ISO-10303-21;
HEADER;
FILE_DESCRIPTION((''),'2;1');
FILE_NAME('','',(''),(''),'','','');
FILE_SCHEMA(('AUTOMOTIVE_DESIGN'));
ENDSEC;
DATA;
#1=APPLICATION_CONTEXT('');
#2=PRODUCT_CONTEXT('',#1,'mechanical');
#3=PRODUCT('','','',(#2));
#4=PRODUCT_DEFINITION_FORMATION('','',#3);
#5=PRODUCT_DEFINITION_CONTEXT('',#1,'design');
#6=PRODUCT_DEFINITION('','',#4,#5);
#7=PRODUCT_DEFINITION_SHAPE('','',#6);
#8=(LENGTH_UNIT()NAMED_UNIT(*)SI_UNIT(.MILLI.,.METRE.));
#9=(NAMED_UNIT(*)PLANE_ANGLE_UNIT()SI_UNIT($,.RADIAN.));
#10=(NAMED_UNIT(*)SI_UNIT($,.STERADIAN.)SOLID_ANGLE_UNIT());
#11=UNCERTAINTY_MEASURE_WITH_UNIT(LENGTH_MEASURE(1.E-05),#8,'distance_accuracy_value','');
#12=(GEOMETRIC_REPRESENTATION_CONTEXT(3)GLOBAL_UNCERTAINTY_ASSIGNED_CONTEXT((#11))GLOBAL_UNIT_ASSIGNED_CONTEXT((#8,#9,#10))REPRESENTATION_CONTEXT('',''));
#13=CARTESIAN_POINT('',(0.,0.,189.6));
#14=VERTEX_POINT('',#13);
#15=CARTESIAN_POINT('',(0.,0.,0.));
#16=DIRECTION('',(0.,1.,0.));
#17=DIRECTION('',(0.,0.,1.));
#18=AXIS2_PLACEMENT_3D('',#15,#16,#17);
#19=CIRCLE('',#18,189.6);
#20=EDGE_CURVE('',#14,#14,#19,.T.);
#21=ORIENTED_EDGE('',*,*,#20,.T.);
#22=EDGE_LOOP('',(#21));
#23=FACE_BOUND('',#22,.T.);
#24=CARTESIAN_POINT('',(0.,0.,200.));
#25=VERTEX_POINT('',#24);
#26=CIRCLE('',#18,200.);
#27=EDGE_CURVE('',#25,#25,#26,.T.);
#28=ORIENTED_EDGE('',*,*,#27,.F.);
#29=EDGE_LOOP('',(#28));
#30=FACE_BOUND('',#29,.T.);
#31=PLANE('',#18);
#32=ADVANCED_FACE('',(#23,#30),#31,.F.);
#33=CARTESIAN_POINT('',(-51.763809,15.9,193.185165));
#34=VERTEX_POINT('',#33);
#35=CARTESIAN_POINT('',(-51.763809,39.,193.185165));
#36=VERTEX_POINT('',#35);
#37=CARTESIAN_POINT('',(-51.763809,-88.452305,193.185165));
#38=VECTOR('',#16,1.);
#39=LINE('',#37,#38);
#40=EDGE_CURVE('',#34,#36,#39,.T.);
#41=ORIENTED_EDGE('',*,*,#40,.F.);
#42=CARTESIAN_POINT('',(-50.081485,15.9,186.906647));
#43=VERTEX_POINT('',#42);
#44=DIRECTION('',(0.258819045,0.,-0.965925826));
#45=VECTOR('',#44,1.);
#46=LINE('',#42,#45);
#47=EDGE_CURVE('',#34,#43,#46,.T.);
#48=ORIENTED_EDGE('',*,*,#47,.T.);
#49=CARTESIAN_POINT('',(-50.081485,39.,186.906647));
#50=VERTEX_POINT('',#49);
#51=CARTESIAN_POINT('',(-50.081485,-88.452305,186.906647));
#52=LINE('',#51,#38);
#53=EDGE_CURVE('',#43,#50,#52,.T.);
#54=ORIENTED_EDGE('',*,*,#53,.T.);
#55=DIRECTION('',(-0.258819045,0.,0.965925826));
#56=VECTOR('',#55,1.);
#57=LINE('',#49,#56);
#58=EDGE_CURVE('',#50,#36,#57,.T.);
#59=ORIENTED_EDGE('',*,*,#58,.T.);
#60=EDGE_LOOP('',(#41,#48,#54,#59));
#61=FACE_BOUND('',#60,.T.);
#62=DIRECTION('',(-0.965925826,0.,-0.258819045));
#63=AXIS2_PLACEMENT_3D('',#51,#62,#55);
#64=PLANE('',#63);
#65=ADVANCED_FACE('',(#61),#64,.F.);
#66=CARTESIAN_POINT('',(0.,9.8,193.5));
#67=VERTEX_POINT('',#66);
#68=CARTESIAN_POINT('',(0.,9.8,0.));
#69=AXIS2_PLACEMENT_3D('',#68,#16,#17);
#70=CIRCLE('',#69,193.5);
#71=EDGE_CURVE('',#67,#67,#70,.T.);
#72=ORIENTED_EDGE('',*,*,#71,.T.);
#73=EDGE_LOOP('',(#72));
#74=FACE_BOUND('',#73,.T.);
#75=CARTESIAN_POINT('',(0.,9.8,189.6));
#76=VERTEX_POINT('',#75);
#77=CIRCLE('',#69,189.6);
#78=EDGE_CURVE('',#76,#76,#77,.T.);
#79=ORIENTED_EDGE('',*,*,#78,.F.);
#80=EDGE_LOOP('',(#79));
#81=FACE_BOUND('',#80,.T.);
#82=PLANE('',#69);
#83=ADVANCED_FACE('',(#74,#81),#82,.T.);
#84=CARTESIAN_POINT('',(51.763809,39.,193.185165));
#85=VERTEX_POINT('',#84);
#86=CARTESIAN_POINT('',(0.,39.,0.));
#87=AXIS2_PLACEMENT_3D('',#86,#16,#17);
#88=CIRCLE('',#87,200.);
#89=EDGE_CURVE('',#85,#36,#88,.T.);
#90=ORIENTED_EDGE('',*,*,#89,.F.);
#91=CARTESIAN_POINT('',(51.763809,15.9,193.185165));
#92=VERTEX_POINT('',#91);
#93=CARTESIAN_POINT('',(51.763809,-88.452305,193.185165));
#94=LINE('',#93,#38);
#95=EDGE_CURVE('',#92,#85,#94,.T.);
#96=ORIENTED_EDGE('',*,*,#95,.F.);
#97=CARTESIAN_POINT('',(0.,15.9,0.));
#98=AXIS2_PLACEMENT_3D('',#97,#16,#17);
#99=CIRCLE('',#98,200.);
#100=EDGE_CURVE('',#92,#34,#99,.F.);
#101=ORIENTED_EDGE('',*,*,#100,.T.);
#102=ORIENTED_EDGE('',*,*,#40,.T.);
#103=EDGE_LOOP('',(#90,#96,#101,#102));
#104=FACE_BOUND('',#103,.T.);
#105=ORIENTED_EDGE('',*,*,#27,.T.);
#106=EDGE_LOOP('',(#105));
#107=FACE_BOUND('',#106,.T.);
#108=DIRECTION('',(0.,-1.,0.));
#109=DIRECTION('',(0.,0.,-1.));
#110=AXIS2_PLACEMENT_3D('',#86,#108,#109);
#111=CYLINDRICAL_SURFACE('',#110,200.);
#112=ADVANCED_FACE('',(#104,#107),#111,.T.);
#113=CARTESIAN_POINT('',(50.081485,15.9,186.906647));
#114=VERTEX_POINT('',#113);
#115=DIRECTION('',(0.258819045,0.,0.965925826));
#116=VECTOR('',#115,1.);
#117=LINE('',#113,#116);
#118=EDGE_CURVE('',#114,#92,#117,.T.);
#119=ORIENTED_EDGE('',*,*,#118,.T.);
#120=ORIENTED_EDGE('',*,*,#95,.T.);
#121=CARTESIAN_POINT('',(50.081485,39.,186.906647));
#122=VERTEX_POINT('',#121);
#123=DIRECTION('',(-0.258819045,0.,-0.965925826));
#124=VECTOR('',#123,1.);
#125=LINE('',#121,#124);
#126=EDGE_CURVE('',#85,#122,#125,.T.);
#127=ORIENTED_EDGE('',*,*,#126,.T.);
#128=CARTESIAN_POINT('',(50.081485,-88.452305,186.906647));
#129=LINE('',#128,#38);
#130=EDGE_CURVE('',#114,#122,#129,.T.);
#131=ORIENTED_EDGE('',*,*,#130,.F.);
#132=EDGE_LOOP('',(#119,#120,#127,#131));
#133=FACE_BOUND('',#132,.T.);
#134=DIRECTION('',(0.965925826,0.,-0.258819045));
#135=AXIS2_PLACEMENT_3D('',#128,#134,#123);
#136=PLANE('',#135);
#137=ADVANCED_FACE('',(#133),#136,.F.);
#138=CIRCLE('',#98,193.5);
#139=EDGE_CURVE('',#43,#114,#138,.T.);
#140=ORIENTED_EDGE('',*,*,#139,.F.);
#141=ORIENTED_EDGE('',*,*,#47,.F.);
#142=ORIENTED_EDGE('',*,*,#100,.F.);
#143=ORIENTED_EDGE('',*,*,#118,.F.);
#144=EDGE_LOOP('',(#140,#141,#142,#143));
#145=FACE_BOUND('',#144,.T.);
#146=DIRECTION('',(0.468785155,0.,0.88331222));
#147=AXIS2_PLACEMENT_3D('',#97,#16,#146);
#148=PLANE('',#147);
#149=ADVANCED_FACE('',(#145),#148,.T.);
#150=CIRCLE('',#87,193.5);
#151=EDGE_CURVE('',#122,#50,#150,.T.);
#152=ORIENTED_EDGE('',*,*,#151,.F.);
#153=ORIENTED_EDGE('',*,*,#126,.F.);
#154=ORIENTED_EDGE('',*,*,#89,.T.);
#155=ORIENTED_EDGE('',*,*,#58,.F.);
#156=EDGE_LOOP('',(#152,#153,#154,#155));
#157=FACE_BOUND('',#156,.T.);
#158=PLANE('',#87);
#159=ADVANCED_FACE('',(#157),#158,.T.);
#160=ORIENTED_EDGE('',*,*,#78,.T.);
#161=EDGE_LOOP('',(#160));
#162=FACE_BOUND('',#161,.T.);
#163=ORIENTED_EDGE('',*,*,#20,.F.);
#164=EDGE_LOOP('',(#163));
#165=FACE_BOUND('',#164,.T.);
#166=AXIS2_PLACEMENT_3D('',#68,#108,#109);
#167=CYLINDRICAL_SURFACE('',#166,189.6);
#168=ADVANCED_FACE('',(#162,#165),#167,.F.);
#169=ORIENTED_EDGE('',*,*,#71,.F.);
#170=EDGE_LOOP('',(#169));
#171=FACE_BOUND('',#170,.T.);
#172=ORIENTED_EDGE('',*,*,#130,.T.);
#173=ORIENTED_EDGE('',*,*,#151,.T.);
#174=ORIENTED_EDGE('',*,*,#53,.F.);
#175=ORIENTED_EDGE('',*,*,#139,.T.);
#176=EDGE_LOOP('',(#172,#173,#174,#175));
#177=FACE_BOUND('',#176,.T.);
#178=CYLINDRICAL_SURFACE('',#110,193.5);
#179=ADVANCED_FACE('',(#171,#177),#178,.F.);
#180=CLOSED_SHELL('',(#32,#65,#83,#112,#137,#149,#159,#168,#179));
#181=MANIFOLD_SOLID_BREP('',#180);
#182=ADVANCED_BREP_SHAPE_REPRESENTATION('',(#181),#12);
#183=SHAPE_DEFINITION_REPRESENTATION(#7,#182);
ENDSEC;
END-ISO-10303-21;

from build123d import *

# Parameters (mm, degrees)
SKETCH_1_R          = 200
SKETCH_1_R_2        = 193.5
EXTRUDE_1_DEPTH     = 39
SKETCH_1_5_R        = 193.5
SKETCH_1_5_R_2      = 189.6
EXTRUDE_2_DEPTH     = 9.8
CUT_EXTRUDE_START   = -23.1
CUT_EXTRUDE_1_DEPTH = 23.1


with BuildPart() as part:
    # 草图1 → 凸台-拉伸1 (new body)
    with BuildSketch(Plane(origin=(0, 0, 0), x_dir=(1, 0, 0), z_dir=(0, 1, 0))):
        with Locations(Location((0, 0, 0), (0, 0, 270))):
            Circle(SKETCH_1_R)
        with Locations(Location((0, 0, 0), (0, 0, 270))):
            Circle(SKETCH_1_R_2, mode=Mode.SUBTRACT)
    extrude(amount=EXTRUDE_1_DEPTH)

    # 草图1<5> → 凸台-拉伸2 (add)
    with BuildSketch(Plane(origin=(0, 0, 0), x_dir=(1, 0, 0), z_dir=(0, 1, 0))):
        with Locations(Location((0, 0, 0), (0, 0, 270))):
            Circle(SKETCH_1_5_R)
        with Locations(Location((0, 0, 0), (0, 0, 270))):
            Circle(SKETCH_1_5_R_2, mode=Mode.SUBTRACT)
    extrude(amount=EXTRUDE_2_DEPTH)

    # 草图4 → 切除-拉伸1 (cut)
    with BuildSketch(Plane(origin=(0, 39, 0), x_dir=(1, 0, 0), z_dir=(0, 1, 0)).offset(CUT_EXTRUDE_START)):
        with BuildLine():
            Line((-50.081485227, -186.906647387), (-51.763809021, -193.185165258))
            ThreePointArc((-51.763809021, -193.185165258), (0, -200), (51.763809021, -193.185165258))
            Line((51.763809021, -193.185165258), (50.081485227, -186.906647387))
            ThreePointArc((50.081485227, -186.906647387), (0, -193.5), (-50.081485227, -186.906647387))
        make_face()
    extrude(amount=CUT_EXTRUDE_1_DEPTH, mode=Mode.SUBTRACT)


solid = part.part
